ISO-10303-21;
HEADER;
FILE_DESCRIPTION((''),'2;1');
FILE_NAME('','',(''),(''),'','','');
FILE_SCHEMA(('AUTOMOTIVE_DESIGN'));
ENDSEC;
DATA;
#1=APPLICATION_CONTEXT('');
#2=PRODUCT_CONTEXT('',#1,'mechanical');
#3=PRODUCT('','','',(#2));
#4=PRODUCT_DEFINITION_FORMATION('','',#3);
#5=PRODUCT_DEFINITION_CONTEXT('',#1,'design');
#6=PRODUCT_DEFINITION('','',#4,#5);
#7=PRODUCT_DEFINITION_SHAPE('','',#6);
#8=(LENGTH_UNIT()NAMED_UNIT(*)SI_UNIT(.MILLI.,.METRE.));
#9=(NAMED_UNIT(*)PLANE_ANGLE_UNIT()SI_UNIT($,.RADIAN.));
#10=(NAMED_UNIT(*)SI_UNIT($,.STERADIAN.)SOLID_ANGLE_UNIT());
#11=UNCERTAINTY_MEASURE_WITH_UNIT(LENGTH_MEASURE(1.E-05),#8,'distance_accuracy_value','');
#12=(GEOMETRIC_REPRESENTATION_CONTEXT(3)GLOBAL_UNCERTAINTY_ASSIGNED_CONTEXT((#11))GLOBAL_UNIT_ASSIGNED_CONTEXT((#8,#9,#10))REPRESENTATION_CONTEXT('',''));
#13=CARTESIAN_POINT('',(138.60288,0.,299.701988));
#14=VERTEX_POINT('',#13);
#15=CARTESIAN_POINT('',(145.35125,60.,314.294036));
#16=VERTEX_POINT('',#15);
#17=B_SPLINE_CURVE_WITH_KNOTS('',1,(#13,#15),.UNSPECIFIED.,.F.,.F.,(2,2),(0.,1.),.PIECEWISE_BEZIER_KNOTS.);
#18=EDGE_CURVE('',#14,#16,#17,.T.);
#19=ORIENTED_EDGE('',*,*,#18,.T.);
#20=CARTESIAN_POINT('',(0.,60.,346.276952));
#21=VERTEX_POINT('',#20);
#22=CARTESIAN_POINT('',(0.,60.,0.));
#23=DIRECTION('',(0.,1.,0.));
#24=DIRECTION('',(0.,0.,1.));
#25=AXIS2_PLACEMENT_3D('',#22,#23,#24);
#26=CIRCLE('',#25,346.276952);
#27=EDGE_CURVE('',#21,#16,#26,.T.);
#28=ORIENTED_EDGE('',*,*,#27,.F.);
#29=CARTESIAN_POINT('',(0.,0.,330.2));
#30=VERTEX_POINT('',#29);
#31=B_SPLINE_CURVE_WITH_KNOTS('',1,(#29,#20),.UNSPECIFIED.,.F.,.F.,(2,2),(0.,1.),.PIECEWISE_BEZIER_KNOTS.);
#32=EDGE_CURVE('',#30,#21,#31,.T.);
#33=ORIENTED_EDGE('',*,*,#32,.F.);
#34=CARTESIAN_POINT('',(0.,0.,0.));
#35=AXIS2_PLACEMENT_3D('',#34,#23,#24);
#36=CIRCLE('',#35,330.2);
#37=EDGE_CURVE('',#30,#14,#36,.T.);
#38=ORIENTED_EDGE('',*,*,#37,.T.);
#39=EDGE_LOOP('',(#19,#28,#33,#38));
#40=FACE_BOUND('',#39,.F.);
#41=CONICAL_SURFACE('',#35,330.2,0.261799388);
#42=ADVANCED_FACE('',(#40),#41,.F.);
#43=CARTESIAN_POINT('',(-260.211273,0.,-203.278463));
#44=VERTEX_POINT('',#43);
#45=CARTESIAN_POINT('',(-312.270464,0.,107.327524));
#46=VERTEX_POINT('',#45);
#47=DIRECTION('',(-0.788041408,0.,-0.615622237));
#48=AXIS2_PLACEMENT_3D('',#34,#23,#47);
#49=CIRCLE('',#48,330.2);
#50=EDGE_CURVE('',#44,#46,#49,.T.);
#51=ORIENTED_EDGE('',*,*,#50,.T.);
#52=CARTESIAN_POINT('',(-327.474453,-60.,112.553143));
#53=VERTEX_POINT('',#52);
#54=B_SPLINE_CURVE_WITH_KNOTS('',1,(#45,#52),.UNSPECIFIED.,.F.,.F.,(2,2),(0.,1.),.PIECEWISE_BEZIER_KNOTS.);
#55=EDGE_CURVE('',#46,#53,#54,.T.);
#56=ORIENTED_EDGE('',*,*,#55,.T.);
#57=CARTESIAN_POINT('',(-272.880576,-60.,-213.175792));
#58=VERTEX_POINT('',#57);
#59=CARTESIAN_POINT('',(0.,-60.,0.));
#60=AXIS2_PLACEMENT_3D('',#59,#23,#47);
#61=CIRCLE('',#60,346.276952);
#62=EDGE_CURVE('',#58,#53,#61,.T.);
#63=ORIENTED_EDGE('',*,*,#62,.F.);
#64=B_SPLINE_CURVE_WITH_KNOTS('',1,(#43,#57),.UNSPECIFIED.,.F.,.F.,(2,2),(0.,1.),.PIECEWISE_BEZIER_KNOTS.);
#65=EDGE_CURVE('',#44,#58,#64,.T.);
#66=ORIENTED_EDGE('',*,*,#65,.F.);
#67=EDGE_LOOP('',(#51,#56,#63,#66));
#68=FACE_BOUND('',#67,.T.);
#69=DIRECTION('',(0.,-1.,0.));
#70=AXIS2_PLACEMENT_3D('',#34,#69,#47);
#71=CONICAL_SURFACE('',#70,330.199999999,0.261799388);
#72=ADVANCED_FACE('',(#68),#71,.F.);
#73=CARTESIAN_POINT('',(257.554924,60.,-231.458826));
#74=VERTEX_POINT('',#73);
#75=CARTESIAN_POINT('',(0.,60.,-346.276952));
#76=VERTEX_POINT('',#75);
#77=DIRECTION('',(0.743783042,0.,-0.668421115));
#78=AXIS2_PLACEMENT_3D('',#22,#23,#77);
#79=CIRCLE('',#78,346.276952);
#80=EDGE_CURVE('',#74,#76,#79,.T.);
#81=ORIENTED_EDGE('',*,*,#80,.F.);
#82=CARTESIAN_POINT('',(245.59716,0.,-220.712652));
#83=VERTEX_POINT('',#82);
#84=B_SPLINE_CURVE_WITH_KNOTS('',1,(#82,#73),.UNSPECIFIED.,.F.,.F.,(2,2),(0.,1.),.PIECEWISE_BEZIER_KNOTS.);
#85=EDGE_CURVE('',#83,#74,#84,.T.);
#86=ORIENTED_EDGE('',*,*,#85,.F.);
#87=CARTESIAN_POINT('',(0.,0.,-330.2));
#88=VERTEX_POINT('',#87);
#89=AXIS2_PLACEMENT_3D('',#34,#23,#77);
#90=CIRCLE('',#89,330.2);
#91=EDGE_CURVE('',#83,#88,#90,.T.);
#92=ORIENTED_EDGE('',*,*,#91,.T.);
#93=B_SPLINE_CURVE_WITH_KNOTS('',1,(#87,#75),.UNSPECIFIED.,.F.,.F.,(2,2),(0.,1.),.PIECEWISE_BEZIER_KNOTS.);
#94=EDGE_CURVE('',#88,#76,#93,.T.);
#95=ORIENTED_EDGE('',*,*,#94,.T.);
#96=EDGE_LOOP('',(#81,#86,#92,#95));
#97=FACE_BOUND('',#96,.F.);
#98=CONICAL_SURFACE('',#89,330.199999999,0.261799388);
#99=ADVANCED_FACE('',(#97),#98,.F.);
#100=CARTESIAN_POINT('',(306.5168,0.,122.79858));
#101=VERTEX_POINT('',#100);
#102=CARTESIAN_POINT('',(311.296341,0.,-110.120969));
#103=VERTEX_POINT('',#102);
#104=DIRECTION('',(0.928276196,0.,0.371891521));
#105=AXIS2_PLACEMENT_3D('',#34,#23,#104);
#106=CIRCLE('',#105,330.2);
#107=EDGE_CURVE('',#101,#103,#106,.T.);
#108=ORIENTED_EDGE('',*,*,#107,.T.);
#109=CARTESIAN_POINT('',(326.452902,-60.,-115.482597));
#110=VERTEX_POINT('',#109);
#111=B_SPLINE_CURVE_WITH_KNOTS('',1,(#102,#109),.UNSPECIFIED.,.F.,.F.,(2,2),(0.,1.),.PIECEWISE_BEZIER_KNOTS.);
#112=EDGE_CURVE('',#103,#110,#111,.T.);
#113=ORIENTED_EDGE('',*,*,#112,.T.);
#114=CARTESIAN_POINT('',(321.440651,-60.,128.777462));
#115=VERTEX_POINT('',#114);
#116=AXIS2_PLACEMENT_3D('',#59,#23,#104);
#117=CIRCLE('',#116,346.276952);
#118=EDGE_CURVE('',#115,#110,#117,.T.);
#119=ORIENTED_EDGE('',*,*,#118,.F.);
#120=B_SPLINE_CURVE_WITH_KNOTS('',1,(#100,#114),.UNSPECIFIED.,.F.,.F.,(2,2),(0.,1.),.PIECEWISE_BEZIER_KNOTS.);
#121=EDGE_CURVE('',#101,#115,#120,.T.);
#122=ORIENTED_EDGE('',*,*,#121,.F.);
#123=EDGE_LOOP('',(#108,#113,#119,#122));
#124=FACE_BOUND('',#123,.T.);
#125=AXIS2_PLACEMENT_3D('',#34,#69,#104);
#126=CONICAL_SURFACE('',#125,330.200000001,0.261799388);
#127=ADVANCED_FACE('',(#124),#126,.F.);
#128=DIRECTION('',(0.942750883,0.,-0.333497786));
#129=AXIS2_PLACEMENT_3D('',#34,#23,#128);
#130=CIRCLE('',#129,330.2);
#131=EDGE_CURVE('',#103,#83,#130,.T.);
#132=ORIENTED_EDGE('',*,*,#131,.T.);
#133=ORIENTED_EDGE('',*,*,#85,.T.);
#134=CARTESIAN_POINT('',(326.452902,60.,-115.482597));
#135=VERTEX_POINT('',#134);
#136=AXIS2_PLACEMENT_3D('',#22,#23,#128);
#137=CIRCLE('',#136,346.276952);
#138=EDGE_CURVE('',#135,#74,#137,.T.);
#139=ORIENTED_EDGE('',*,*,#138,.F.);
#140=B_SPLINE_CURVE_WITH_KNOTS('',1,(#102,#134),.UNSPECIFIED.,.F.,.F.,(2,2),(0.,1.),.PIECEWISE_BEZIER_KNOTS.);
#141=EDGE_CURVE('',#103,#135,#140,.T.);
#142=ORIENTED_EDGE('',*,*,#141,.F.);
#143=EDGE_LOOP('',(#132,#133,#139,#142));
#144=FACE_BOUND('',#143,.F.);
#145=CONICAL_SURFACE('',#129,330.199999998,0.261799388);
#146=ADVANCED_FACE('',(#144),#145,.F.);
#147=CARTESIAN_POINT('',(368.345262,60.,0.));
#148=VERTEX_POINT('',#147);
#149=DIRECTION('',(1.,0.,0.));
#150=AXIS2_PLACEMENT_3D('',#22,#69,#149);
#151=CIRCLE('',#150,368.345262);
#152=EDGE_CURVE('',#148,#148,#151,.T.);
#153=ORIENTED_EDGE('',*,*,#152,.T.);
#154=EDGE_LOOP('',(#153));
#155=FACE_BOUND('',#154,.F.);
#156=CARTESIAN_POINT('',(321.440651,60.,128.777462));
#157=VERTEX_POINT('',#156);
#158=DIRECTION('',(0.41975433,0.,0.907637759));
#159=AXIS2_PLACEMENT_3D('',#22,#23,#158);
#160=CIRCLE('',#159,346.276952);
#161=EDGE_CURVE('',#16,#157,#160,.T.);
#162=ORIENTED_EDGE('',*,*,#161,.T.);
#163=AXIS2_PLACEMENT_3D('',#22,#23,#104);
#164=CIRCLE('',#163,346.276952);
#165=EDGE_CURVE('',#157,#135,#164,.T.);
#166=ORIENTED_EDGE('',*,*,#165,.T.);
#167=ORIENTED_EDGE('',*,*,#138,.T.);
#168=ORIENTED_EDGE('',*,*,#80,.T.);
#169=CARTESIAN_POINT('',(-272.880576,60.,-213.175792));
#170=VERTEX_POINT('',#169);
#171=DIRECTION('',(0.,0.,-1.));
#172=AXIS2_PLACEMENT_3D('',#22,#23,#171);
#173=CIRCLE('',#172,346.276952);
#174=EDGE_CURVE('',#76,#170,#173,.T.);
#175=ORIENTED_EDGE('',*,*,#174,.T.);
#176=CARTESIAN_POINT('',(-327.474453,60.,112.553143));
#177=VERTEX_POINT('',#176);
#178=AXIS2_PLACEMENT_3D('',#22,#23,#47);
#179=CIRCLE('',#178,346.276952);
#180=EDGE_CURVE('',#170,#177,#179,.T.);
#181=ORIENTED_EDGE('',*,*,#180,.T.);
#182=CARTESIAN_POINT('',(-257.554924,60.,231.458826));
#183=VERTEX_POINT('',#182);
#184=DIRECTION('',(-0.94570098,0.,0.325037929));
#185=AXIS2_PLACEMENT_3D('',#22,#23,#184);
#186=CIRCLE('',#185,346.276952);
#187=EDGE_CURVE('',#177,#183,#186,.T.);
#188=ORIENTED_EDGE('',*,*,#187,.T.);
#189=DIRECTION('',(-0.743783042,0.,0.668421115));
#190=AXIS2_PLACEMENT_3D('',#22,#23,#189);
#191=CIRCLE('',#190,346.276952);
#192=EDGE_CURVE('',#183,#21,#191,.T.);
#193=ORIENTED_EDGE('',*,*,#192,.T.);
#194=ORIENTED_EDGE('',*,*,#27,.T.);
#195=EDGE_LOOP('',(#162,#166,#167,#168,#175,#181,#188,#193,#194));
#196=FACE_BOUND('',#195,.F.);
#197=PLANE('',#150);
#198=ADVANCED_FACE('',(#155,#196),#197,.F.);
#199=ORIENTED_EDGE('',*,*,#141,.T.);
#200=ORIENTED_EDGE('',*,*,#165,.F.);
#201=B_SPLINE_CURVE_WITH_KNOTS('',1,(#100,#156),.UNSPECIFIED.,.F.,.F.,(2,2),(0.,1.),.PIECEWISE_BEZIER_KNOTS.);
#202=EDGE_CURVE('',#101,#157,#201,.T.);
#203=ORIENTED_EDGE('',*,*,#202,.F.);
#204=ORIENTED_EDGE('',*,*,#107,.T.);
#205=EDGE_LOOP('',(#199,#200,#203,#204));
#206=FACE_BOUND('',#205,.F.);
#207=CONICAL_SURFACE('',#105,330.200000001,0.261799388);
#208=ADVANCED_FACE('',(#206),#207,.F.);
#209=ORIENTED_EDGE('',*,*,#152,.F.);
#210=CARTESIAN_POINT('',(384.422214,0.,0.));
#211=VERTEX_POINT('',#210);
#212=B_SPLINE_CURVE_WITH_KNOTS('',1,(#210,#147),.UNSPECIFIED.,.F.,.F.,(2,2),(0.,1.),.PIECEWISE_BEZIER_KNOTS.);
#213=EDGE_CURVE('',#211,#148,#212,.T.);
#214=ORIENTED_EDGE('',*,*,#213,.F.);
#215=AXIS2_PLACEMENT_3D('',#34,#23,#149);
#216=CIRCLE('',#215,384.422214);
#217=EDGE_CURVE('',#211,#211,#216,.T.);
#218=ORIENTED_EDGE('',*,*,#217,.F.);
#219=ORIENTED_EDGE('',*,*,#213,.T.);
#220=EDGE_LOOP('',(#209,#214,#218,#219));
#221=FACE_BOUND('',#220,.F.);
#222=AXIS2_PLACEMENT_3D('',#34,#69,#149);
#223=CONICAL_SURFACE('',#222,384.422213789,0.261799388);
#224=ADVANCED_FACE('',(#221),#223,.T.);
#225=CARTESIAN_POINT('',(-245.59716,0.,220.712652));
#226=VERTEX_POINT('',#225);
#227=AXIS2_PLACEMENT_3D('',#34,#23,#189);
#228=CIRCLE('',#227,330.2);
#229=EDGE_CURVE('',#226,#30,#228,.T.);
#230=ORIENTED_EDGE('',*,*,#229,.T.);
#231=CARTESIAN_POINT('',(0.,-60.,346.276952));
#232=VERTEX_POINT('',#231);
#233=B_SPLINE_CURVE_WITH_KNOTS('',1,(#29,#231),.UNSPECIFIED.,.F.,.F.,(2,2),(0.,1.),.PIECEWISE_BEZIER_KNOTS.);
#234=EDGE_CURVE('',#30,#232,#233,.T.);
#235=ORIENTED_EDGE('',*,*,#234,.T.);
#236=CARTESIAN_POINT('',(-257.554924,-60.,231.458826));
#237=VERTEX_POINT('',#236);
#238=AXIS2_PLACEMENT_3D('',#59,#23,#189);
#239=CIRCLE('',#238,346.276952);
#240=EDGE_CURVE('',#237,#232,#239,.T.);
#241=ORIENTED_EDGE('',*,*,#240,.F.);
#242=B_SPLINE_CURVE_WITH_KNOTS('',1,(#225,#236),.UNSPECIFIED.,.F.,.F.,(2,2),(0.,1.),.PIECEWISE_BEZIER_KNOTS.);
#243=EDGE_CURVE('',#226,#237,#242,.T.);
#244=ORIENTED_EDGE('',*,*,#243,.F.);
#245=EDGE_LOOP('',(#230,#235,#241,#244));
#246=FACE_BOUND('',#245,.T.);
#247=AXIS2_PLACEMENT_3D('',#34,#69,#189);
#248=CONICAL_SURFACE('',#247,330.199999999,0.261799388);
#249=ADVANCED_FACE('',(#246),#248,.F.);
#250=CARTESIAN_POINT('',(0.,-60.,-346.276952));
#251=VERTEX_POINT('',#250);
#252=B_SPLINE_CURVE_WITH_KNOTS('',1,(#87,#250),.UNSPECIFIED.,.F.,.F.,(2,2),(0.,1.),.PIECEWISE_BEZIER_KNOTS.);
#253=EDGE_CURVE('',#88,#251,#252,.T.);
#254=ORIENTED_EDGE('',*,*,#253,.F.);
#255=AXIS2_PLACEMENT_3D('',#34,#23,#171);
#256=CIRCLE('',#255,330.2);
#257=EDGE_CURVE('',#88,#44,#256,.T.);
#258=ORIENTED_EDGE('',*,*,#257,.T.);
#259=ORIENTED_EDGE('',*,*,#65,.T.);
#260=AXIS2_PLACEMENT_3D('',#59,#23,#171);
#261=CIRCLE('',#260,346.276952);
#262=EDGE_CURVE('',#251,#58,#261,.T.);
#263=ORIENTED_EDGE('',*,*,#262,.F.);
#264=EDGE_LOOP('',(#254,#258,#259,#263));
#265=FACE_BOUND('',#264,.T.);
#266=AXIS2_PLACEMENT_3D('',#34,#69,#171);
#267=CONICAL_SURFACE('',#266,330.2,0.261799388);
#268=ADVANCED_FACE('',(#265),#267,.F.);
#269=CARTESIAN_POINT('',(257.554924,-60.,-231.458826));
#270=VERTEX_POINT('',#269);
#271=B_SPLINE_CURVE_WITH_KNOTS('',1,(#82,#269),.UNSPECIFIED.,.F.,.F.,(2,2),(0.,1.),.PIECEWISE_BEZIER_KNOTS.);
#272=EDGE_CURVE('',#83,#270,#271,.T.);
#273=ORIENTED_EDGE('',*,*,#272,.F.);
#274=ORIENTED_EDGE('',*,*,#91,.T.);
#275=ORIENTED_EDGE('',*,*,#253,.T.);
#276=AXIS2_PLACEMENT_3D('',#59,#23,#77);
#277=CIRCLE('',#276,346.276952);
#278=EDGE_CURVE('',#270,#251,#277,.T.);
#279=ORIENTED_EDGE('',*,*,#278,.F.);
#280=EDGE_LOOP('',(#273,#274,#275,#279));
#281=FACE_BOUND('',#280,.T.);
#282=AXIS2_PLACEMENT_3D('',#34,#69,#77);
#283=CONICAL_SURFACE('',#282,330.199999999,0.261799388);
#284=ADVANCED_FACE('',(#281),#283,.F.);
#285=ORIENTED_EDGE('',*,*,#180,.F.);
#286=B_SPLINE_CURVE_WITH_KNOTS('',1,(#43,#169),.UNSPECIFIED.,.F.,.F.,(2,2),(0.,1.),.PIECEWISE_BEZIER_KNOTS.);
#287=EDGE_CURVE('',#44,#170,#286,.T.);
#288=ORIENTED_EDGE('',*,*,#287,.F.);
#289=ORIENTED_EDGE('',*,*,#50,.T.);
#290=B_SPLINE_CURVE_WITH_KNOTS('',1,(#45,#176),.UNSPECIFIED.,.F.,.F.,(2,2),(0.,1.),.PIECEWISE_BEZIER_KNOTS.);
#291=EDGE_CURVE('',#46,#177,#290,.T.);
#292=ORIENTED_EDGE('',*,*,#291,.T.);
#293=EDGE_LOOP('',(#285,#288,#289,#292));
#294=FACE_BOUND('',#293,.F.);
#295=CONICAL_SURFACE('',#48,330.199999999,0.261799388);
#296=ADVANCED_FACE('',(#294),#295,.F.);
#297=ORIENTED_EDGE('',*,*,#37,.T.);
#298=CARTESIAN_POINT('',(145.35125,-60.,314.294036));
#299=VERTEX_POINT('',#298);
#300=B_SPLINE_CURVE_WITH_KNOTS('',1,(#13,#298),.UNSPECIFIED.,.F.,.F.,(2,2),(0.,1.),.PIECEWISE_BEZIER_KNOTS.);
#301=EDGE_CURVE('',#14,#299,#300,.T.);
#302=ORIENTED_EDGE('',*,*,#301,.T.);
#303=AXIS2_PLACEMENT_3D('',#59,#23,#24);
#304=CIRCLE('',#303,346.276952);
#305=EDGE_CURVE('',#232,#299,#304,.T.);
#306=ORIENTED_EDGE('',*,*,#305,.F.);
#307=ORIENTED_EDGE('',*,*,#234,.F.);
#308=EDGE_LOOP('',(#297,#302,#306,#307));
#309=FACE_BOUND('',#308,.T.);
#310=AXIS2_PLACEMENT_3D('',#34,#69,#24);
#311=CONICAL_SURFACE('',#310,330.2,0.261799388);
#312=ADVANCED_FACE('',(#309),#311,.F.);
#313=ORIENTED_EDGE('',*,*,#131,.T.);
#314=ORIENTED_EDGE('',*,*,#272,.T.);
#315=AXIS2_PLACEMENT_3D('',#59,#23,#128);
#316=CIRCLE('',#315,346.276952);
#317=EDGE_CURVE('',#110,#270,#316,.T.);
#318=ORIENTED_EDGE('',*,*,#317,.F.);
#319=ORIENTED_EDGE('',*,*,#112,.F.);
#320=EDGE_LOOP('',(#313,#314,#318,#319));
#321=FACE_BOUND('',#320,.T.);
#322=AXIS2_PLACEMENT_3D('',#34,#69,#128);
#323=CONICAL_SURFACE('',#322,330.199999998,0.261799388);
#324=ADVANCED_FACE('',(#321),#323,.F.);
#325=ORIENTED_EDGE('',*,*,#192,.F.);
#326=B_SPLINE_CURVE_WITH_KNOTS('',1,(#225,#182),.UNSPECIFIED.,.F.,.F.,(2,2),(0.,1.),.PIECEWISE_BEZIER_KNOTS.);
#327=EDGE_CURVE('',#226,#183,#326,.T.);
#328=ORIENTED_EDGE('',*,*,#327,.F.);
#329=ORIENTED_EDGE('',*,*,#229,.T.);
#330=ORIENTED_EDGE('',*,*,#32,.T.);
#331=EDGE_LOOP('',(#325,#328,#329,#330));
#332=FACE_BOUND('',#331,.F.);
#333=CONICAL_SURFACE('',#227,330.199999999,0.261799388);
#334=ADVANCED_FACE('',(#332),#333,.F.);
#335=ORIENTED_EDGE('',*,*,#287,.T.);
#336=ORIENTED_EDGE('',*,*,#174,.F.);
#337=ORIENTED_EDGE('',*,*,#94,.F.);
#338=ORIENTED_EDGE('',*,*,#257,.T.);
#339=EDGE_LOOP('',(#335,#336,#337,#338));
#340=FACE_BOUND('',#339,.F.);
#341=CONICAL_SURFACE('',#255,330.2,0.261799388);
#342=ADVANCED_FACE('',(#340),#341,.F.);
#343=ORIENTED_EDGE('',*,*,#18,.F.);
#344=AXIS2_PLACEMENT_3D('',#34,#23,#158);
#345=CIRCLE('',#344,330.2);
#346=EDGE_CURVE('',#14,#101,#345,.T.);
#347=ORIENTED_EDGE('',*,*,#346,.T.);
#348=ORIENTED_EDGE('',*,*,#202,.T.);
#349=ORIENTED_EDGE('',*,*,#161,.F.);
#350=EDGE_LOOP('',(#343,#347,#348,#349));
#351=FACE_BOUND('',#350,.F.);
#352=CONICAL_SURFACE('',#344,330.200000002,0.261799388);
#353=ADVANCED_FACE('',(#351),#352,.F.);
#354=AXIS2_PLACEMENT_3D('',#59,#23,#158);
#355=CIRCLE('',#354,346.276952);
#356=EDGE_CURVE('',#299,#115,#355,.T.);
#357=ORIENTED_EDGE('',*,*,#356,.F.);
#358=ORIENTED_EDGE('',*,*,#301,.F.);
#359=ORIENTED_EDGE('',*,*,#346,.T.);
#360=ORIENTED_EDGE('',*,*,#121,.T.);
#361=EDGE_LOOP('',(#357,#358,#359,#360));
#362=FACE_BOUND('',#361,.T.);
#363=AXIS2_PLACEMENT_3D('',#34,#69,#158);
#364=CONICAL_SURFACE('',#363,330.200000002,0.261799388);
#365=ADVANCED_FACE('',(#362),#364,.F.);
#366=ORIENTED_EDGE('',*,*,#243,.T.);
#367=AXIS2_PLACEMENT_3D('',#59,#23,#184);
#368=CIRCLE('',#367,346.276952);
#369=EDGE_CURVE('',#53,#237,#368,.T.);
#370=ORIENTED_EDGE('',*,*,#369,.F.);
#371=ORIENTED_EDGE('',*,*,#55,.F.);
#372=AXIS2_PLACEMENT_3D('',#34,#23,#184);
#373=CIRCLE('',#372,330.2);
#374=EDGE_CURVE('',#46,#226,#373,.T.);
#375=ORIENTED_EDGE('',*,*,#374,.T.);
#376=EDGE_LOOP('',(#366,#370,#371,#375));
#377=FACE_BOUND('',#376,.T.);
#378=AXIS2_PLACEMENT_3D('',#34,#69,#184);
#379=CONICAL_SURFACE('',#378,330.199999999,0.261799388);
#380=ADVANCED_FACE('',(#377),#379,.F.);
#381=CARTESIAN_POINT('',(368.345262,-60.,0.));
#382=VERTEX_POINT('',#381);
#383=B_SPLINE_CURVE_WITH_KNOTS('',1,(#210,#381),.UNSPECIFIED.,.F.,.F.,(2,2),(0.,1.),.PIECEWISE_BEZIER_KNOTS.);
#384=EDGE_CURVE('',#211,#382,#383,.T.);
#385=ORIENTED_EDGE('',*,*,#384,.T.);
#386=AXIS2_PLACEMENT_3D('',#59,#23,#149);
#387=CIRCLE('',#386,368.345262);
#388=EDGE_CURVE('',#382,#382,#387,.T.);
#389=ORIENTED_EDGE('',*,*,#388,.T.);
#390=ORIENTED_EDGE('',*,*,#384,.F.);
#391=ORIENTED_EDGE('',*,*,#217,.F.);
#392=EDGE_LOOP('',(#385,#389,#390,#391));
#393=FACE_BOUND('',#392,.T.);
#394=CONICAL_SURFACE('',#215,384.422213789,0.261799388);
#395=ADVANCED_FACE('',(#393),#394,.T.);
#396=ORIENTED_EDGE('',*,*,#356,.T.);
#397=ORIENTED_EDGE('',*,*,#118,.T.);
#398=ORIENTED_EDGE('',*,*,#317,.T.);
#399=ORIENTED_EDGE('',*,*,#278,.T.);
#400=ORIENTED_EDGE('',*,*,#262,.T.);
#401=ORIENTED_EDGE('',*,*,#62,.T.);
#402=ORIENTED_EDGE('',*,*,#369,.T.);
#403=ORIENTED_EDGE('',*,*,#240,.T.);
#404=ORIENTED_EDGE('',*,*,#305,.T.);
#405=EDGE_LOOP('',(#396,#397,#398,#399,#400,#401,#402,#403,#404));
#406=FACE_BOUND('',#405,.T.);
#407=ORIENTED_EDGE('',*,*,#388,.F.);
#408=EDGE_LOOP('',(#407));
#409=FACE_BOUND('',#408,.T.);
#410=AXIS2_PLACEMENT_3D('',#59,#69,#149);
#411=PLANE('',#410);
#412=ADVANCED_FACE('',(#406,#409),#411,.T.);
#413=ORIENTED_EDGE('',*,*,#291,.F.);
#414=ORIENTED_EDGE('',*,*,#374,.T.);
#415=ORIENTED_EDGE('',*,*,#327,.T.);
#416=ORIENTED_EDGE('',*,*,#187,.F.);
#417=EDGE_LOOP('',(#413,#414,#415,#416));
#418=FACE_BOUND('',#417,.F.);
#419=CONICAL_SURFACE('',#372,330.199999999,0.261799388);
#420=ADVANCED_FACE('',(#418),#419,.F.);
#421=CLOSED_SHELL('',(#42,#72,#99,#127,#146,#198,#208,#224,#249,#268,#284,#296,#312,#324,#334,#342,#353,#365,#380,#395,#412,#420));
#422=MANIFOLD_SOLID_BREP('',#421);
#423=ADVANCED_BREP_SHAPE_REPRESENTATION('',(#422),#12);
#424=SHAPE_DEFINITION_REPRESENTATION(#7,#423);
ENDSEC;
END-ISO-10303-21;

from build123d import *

# Parameters (mm, degrees)
F0_R     = 384.4222137889
F1_DEPTH = 60
F1_TAPER = 15


with BuildPart() as f1:
    # F0 (on Front) → F1 (new body, symmetric)
    with BuildSketch(Plane.XZ):
        Circle(F0_R)
        with BuildLine():
            ThreePointArc((-306.5168000492, -122.798580153), (-324.2251435162, -62.5307629242), (-330.2, 0))
            ThreePointArc((-330.2, 0), (-325.6867721675, 54.4074115828), (-312.2704637484, 107.3275242906))
            ThreePointArc((-312.2704637484, 107.3275242906), (-284.6368182454, 167.37359917), (-245.597160306, 220.7126522191))
            ThreePointArc((-245.597160306, 220.7126522191), (-189.128113572, 270.670642399), (-122.798580153, 306.5168000492))
            ThreePointArc((-122.798580153, 306.5168000492), (-62.5307629242, 324.2251435162), (0, 330.2))
            ThreePointArc((0, 330.2), (70.9592964928, 322.4853767867), (138.6028798667, 299.701988136))
            ThreePointArc((138.6028798667, 299.701988136), (205.1525193234, 258.7363210205), (260.2112729594, 203.2784627668))
            ThreePointArc((260.2112729594, 203.2784627668), (286.2069706705, 164.6742540278), (306.5168000492, 122.798580153))
            ThreePointArc((306.5168000492, 122.798580153), (324.2251435162, 62.5307629242), (330.2, 0))
            ThreePointArc((330.2, 0), (325.4397731908, -55.8658574223), (311.2963414565, -110.1209689195))
            ThreePointArc((311.2963414565, -110.1209689195), (283.8841721197, -168.6470184139), (245.597160306, -220.7126522191))
            ThreePointArc((245.597160306, -220.7126522191), (189.128113572, -270.670642399), (122.798580153, -306.5168000492))
            ThreePointArc((122.798580153, -306.5168000492), (62.5307629242, -324.2251435162), (0, -330.2))
            ThreePointArc((0, -330.2), (-78.1374463344, -320.8217253871), (-151.8364043025, -293.2196213225))
            ThreePointArc((-151.8364043025, -293.2196213225), (-210.8747853225, -254.0942048044), (-260.2112729594, -203.2784627668))
            ThreePointArc((-260.2112729594, -203.2784627668), (-286.2069706705, -164.6742540278), (-306.5168000492, -122.798580153))
        make_face(mode=Mode.SUBTRACT)
    extrude(amount=F1_DEPTH, both=True, taper=F1_TAPER)


solid = f1.part
